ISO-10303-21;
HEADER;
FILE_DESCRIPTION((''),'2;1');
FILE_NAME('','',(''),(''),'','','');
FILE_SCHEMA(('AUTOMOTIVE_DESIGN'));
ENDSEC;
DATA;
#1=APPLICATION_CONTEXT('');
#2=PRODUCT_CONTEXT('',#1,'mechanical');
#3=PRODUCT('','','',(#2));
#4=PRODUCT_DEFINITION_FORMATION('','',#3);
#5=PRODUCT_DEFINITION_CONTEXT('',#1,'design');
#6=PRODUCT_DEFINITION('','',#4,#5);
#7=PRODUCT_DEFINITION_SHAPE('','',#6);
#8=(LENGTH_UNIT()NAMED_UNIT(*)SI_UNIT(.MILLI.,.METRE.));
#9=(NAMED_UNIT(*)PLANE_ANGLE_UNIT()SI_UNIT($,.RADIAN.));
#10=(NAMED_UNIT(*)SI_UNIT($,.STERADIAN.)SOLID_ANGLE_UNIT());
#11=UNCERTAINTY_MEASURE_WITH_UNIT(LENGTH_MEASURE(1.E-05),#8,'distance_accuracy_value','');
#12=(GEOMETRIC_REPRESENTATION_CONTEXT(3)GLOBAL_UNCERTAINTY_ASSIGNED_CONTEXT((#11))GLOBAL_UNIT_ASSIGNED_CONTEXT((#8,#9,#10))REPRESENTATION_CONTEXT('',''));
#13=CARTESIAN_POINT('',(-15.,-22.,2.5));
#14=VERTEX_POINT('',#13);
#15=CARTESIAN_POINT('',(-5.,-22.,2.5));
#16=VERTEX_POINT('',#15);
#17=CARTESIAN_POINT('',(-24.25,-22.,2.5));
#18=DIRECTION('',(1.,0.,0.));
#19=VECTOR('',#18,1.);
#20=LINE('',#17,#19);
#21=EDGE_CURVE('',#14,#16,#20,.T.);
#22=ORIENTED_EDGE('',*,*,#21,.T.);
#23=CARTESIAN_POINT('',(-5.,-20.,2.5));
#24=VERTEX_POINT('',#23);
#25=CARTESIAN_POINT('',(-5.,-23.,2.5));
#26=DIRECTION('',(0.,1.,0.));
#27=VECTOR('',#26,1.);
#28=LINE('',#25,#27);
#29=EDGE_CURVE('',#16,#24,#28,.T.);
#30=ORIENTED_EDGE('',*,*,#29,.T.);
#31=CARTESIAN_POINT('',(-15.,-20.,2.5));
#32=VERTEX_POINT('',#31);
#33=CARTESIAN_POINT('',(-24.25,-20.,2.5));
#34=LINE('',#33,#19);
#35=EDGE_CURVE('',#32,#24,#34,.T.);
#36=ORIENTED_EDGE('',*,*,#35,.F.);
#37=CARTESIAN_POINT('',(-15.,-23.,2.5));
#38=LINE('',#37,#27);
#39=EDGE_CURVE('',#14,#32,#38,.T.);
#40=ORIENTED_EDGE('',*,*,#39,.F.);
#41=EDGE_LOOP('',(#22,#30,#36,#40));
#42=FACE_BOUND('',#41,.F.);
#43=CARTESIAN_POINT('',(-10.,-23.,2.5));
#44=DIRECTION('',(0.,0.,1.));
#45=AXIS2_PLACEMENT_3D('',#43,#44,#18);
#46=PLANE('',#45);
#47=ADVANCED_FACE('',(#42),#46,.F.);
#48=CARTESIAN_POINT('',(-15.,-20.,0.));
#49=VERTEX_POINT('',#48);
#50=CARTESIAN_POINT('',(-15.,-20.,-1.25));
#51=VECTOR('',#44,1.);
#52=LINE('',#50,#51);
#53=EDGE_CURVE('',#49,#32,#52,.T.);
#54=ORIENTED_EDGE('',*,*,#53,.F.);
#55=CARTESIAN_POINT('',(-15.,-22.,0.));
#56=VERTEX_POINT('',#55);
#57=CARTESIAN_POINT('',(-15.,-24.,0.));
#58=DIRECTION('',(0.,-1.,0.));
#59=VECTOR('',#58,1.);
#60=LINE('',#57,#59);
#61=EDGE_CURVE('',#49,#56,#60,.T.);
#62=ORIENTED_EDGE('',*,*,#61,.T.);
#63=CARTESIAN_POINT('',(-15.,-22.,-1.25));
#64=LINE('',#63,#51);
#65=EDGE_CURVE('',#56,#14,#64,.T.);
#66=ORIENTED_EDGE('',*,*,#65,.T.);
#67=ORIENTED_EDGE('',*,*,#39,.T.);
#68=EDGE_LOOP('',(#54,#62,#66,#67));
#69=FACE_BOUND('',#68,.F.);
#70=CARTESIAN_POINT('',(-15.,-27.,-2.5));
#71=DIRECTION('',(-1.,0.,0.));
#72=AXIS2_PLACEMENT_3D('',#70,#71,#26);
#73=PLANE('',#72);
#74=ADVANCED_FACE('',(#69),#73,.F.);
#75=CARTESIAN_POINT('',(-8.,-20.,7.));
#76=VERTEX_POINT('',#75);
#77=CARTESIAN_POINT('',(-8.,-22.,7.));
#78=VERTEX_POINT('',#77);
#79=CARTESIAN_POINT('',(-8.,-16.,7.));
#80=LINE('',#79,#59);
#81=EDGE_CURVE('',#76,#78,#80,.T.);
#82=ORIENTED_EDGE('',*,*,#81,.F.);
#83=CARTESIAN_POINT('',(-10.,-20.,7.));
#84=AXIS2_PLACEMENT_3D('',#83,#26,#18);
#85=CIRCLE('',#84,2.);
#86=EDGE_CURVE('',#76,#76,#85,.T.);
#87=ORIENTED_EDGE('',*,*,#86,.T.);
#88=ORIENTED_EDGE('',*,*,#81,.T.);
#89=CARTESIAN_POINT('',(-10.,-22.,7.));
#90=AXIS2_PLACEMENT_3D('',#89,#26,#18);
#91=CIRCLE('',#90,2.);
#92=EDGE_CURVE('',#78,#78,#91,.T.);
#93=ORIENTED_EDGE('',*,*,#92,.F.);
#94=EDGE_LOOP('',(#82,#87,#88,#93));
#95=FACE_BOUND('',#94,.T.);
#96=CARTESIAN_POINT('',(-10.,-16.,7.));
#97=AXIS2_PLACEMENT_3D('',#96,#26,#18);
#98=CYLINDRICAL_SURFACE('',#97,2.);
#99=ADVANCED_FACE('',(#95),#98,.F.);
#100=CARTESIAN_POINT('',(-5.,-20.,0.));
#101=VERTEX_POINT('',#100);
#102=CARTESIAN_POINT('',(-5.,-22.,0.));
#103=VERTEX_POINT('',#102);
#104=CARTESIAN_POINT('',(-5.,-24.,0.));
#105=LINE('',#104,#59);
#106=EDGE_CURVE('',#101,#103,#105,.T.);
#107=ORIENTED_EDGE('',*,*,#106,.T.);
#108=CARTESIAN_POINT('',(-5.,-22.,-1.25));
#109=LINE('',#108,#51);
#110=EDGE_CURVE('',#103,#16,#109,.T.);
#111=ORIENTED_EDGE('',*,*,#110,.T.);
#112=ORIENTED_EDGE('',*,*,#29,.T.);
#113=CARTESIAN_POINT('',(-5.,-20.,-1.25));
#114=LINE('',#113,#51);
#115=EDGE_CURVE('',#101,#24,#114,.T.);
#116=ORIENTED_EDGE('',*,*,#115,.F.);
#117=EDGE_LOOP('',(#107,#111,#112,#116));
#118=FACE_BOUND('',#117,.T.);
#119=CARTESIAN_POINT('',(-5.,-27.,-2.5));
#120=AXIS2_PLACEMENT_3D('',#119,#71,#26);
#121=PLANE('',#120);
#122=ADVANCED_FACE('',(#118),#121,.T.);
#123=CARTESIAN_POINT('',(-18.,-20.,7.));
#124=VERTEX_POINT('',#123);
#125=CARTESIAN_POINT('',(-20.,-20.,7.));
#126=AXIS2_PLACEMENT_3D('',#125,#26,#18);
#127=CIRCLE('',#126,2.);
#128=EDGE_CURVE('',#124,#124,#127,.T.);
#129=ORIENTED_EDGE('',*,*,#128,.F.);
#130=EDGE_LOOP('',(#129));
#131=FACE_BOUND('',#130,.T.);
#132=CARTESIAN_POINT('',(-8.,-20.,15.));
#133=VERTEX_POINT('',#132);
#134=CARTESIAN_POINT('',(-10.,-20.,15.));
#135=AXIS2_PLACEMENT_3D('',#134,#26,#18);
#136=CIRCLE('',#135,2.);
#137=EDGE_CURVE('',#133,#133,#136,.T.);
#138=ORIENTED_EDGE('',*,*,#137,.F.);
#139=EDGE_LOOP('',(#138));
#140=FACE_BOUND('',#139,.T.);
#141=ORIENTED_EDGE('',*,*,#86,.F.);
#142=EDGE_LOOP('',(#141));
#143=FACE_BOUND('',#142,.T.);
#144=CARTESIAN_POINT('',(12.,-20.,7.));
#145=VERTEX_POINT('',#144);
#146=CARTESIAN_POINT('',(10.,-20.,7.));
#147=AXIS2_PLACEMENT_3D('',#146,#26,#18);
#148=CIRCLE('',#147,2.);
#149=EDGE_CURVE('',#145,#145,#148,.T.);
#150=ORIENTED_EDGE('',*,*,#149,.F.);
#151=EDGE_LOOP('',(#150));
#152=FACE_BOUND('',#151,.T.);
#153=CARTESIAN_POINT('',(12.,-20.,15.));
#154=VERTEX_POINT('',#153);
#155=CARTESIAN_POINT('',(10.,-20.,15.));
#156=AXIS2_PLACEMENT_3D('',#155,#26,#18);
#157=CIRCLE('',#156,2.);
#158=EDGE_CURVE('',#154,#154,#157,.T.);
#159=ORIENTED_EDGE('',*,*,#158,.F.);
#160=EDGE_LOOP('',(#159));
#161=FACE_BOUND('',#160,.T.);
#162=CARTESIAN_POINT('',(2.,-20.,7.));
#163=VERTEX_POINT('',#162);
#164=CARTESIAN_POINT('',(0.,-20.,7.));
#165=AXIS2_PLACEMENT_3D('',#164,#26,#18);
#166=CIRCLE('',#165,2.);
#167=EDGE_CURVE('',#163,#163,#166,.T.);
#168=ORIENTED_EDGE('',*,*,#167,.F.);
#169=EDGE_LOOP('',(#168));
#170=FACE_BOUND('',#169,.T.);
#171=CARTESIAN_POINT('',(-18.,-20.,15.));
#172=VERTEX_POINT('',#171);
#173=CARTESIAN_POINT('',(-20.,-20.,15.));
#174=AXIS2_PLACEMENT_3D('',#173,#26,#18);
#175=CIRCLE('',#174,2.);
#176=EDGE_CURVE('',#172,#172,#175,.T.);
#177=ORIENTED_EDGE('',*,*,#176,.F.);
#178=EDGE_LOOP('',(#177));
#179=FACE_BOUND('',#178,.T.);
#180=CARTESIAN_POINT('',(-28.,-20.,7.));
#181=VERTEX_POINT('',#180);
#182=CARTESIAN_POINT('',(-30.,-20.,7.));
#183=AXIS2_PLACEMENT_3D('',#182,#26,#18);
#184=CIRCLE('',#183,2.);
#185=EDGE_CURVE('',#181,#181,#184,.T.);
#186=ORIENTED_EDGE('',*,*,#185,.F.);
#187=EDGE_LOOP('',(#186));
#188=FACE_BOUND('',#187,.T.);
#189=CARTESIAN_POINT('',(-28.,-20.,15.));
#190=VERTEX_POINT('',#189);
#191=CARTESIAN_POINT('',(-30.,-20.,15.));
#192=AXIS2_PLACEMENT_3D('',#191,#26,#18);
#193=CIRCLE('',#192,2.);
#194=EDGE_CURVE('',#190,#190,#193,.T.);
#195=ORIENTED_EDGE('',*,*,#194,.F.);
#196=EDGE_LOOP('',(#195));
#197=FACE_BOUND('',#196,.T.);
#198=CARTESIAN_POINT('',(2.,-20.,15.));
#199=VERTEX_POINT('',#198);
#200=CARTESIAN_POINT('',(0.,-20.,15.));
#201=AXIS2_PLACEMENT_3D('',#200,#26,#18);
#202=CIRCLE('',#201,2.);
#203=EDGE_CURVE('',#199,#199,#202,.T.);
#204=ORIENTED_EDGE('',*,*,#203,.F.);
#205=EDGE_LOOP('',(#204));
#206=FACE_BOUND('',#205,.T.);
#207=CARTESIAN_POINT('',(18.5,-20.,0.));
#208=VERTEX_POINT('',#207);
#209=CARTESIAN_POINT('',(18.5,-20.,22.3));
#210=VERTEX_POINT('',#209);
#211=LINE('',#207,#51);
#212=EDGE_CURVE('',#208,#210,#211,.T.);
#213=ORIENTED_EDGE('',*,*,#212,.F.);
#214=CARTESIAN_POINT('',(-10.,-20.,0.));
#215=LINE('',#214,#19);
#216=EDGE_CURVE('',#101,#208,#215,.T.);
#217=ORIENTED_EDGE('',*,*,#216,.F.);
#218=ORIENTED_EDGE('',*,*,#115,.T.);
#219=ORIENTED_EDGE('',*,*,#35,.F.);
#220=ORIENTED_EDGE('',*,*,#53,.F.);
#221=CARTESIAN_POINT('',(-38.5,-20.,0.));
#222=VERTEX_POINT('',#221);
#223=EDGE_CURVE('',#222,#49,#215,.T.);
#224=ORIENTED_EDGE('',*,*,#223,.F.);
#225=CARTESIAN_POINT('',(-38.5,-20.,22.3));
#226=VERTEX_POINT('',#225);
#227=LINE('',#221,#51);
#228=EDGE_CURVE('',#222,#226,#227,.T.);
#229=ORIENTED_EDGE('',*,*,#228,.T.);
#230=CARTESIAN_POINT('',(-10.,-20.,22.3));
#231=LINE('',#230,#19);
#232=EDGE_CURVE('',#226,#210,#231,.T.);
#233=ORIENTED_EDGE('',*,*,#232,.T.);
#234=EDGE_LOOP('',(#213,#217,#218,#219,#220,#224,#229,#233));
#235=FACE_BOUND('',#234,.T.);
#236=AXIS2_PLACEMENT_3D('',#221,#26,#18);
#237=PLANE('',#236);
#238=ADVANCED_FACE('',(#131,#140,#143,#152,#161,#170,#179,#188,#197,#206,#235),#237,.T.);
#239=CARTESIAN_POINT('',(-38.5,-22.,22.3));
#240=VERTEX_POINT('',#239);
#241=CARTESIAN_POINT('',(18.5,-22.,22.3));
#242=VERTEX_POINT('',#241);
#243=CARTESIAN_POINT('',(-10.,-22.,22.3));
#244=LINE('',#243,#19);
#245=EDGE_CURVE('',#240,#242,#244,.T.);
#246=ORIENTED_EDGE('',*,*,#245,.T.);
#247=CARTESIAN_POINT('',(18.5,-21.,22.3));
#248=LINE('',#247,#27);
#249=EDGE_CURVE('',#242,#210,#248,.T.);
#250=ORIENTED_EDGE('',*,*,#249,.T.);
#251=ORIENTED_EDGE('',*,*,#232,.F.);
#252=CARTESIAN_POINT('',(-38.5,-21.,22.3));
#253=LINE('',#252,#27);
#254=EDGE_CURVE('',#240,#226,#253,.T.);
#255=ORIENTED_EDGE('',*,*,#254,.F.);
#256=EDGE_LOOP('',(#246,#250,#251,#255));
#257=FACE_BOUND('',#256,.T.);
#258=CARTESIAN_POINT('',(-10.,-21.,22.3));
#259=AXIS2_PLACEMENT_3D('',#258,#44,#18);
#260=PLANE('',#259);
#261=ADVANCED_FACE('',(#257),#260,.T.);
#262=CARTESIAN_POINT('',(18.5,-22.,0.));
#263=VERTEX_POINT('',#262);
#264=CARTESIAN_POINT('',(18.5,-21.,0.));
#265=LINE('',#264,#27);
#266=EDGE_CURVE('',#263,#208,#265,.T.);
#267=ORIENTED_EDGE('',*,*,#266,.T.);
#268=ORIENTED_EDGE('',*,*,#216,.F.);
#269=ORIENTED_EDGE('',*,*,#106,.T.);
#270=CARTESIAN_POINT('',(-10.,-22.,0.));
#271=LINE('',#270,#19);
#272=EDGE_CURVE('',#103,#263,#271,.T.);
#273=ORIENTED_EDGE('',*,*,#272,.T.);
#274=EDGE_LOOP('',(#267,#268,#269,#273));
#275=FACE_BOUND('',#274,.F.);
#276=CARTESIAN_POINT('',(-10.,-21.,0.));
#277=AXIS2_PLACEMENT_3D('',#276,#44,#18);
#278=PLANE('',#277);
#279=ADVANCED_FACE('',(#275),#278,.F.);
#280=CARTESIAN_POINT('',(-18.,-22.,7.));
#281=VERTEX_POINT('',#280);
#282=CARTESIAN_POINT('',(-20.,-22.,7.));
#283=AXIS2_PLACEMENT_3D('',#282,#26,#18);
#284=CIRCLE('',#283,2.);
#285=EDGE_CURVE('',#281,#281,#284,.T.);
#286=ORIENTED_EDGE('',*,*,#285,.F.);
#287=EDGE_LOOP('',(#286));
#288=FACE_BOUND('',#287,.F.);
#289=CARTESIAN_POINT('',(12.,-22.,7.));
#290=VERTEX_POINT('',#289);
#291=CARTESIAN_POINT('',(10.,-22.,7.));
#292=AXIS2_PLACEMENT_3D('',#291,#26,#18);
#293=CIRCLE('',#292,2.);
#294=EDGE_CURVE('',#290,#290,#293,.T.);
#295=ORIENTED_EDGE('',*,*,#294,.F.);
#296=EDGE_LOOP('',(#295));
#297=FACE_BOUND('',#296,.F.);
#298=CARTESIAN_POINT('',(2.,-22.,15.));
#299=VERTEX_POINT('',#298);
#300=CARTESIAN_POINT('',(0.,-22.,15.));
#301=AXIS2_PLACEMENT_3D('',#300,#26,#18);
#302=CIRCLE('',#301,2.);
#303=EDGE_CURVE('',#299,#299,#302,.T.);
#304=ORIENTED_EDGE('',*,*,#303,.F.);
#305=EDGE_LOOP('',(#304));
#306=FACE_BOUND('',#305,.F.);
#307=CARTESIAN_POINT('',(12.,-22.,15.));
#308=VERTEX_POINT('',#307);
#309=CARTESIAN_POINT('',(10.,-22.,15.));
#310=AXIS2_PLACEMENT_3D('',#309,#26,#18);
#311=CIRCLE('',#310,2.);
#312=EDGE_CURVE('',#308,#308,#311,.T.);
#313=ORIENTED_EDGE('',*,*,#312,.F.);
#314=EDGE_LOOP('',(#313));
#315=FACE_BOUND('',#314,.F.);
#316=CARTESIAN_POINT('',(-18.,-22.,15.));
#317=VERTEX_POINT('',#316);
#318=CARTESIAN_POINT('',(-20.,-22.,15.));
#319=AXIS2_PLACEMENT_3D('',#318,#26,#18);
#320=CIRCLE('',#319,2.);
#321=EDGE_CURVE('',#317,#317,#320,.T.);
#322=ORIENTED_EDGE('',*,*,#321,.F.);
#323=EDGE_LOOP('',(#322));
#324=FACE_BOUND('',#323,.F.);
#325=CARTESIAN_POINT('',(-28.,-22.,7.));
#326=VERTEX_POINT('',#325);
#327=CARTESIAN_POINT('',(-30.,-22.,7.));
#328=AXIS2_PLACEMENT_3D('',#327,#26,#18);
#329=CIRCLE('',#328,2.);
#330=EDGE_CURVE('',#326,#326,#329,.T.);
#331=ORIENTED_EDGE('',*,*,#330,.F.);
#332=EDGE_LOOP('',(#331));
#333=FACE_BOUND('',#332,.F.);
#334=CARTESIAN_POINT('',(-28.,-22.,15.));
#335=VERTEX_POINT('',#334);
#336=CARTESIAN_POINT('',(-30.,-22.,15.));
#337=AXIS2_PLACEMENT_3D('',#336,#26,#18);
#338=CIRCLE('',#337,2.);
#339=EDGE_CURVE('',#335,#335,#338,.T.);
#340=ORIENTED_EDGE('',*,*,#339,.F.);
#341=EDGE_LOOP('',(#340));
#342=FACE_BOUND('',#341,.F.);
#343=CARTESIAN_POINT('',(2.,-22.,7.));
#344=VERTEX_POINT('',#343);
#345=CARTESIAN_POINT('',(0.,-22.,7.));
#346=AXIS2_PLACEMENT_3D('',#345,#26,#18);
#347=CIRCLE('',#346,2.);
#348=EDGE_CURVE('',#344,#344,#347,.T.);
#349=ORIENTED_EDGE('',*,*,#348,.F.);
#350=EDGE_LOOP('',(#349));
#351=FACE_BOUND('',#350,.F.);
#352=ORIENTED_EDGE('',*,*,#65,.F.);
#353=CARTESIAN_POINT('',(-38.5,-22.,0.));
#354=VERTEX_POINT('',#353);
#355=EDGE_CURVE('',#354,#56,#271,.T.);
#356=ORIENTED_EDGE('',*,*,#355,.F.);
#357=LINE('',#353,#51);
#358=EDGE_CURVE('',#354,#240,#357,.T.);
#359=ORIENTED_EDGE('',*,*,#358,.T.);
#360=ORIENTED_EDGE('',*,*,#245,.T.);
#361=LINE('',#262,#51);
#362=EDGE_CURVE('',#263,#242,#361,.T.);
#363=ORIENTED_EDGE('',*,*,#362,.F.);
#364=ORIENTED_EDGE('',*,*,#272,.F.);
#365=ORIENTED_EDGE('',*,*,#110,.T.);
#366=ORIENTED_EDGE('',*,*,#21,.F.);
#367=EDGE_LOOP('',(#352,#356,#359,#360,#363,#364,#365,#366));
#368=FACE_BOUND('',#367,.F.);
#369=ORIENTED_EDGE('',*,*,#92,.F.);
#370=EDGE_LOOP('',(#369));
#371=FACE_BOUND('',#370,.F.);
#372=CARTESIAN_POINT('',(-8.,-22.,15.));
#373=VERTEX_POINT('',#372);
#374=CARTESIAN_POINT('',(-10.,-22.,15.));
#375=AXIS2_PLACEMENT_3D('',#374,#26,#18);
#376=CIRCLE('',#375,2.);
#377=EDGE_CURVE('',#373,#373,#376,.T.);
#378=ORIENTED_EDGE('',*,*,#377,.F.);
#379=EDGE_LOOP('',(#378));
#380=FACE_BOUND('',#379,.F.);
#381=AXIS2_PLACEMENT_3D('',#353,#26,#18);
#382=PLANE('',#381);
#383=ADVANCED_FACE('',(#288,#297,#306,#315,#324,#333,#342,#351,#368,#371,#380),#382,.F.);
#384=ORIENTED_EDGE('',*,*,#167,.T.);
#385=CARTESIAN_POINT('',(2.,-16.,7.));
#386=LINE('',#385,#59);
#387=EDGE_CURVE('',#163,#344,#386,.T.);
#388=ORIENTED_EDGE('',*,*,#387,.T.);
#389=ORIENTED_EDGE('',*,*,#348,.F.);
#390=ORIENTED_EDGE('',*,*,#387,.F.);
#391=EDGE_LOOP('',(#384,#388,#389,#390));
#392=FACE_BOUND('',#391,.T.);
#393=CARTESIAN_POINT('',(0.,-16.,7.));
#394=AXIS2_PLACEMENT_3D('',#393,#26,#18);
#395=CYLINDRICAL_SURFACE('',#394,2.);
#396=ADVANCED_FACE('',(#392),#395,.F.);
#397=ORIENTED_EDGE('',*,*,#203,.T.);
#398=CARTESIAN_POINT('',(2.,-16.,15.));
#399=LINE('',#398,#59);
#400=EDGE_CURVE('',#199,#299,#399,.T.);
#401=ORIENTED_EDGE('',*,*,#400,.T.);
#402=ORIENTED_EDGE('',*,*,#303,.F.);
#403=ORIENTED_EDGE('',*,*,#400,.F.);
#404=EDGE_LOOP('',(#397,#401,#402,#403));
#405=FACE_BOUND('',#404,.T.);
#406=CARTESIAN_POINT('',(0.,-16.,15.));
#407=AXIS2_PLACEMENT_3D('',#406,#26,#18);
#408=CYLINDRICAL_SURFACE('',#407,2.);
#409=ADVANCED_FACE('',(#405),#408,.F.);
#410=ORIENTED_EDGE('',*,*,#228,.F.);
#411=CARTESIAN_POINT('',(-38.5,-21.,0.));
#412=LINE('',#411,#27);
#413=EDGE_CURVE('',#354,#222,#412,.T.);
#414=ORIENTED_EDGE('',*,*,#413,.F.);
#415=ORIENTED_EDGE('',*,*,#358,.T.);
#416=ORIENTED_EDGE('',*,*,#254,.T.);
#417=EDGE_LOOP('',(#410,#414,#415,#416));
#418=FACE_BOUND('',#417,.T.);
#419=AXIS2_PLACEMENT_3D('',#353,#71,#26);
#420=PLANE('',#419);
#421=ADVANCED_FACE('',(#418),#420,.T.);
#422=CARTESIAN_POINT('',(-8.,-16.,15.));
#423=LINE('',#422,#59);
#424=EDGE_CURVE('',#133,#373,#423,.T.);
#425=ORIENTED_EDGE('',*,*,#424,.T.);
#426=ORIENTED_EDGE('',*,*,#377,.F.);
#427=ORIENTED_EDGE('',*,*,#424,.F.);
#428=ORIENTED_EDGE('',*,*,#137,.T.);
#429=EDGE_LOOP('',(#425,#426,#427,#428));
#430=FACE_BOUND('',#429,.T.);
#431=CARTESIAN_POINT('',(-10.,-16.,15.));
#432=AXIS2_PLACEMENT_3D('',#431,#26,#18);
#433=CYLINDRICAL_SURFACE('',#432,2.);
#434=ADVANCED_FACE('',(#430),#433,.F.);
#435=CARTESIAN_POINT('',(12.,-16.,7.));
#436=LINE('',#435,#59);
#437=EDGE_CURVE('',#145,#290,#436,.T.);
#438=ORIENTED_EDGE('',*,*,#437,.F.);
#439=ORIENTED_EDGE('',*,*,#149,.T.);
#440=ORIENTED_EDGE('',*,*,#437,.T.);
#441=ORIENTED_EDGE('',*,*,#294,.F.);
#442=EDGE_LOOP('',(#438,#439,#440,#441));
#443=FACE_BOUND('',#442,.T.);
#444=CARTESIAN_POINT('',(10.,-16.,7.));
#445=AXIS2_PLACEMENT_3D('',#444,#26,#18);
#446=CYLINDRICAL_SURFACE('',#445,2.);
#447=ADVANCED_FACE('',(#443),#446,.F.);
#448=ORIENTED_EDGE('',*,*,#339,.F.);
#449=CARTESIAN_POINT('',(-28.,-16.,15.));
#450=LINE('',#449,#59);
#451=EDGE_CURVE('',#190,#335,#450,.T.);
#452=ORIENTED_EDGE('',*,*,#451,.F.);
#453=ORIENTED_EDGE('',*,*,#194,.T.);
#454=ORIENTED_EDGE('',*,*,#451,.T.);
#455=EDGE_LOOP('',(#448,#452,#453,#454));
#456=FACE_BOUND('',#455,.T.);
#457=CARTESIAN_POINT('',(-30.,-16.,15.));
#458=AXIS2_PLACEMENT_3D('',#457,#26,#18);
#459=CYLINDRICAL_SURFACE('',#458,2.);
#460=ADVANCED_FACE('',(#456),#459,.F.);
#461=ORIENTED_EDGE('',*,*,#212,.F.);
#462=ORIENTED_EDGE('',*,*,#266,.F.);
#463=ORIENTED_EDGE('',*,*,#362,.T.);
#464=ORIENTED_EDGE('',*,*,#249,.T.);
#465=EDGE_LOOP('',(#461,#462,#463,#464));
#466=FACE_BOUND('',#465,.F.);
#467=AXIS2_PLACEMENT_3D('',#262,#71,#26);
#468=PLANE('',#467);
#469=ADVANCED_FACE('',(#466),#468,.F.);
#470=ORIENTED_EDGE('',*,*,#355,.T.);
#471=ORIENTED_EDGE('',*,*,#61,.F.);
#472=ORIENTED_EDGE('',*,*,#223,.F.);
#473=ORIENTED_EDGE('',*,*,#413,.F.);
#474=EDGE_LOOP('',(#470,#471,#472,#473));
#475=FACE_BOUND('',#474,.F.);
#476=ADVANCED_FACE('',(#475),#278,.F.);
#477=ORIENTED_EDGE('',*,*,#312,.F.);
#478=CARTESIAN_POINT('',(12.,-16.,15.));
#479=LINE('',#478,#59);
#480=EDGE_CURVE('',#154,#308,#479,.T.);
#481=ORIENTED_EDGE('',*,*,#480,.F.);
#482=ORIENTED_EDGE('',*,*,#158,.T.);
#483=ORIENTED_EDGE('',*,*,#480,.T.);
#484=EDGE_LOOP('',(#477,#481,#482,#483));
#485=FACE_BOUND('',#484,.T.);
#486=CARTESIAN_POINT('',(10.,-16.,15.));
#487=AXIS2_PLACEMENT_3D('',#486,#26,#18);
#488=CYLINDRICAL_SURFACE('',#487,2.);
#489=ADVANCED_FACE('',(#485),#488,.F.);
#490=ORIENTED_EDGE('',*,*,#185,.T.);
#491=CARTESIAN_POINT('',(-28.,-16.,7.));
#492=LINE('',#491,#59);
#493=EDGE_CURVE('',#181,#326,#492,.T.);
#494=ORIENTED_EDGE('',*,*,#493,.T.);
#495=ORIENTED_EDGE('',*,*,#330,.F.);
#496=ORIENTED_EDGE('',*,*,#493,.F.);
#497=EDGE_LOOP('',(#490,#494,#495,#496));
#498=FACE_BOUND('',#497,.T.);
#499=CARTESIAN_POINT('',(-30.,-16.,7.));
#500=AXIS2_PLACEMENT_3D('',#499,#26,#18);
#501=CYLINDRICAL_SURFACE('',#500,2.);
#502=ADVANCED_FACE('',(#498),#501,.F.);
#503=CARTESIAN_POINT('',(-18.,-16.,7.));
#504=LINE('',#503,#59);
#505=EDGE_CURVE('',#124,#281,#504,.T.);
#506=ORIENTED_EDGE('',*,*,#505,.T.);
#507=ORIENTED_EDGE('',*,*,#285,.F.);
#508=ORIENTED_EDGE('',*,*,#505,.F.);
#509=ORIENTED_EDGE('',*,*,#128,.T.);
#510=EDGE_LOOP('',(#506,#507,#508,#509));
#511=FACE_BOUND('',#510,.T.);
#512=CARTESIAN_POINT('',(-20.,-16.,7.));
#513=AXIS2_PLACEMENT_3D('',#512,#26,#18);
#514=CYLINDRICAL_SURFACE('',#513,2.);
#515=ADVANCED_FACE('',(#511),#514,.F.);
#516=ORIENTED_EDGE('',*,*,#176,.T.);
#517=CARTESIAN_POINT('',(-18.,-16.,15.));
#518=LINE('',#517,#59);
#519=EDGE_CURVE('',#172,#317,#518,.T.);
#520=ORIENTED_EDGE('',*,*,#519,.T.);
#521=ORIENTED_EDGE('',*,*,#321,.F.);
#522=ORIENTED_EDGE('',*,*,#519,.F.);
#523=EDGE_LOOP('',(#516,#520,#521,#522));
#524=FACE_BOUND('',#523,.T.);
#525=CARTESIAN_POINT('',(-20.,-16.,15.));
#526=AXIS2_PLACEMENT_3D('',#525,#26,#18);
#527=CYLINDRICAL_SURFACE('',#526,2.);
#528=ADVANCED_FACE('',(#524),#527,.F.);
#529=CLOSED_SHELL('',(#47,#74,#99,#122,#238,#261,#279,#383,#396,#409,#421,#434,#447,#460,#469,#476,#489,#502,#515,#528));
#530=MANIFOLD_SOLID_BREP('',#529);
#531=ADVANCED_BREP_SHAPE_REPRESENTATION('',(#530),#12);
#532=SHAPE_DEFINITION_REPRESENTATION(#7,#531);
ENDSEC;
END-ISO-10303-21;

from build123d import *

# Parameters (mm, degrees)
BOX002_W          = 10
BOX002_H          = 8
BOX002_DEPTH      = 5
CYLINDER003_R     = 2
CYLINDER003_DEPTH = 10
ARRAY003_X_COUNT  = 5
ARRAY003_X_PITCH  = 10
ARRAY003_Z_COUNT  = 2
ARRAY003_Z_PITCH  = 8
BOX001_W          = 57
BOX001_H          = 2
BOX001_DEPTH      = 22.3


with BuildPart() as cube:
    # Box002 → Box002 (new body)
    with BuildSketch(Plane(origin=(-15, -27, -2.5), x_dir=(1, 0, 0), z_dir=(0, 0, 1))):
        with Locations((5, 4)):
            Rectangle(BOX002_W, BOX002_H)
    extrude(amount=BOX002_DEPTH)


with BuildPart() as array003:
    # Cylinder003 → Cylinder003 (new body)
    with BuildSketch(Plane(origin=(-30, -16, 7), x_dir=(1, 0, 0), z_dir=(0, -1, 0))):
        Circle(CYLINDER003_R)
    extrude(amount=CYLINDER003_DEPTH)

    # Array003 X: Array003 ×5


with BuildPart() as array003_1:
    add(array003.part)
    with Locations(*[(i * ARRAY003_X_PITCH, 0, 0) for i in range(1, ARRAY003_X_COUNT)]):
        add(array003.part)

    # Array003 Z: Array003 ×2


with BuildPart() as array003_2:
    add(array003_1.part)
    with Locations(*[(0, 0, i * ARRAY003_Z_PITCH) for i in range(1, ARRAY003_Z_COUNT)]):
        add(array003_1.part)


with BuildPart() as cut006:
    # Box001 → Box001 (new body)
    with BuildSketch(Plane(origin=(-38.5, -22, 0), x_dir=(1, 0, 0), z_dir=(0, 0, 1))):
        with Locations((28.5, 1)):
            Rectangle(BOX001_W, BOX001_H)
    extrude(amount=BOX001_DEPTH)

    # Cut005: cut Array003
    add(array003_2.part, mode=Mode.SUBTRACT)

    # Cut006: cut Cube
    add(cube.part, mode=Mode.SUBTRACT)


solid = cut006.part
